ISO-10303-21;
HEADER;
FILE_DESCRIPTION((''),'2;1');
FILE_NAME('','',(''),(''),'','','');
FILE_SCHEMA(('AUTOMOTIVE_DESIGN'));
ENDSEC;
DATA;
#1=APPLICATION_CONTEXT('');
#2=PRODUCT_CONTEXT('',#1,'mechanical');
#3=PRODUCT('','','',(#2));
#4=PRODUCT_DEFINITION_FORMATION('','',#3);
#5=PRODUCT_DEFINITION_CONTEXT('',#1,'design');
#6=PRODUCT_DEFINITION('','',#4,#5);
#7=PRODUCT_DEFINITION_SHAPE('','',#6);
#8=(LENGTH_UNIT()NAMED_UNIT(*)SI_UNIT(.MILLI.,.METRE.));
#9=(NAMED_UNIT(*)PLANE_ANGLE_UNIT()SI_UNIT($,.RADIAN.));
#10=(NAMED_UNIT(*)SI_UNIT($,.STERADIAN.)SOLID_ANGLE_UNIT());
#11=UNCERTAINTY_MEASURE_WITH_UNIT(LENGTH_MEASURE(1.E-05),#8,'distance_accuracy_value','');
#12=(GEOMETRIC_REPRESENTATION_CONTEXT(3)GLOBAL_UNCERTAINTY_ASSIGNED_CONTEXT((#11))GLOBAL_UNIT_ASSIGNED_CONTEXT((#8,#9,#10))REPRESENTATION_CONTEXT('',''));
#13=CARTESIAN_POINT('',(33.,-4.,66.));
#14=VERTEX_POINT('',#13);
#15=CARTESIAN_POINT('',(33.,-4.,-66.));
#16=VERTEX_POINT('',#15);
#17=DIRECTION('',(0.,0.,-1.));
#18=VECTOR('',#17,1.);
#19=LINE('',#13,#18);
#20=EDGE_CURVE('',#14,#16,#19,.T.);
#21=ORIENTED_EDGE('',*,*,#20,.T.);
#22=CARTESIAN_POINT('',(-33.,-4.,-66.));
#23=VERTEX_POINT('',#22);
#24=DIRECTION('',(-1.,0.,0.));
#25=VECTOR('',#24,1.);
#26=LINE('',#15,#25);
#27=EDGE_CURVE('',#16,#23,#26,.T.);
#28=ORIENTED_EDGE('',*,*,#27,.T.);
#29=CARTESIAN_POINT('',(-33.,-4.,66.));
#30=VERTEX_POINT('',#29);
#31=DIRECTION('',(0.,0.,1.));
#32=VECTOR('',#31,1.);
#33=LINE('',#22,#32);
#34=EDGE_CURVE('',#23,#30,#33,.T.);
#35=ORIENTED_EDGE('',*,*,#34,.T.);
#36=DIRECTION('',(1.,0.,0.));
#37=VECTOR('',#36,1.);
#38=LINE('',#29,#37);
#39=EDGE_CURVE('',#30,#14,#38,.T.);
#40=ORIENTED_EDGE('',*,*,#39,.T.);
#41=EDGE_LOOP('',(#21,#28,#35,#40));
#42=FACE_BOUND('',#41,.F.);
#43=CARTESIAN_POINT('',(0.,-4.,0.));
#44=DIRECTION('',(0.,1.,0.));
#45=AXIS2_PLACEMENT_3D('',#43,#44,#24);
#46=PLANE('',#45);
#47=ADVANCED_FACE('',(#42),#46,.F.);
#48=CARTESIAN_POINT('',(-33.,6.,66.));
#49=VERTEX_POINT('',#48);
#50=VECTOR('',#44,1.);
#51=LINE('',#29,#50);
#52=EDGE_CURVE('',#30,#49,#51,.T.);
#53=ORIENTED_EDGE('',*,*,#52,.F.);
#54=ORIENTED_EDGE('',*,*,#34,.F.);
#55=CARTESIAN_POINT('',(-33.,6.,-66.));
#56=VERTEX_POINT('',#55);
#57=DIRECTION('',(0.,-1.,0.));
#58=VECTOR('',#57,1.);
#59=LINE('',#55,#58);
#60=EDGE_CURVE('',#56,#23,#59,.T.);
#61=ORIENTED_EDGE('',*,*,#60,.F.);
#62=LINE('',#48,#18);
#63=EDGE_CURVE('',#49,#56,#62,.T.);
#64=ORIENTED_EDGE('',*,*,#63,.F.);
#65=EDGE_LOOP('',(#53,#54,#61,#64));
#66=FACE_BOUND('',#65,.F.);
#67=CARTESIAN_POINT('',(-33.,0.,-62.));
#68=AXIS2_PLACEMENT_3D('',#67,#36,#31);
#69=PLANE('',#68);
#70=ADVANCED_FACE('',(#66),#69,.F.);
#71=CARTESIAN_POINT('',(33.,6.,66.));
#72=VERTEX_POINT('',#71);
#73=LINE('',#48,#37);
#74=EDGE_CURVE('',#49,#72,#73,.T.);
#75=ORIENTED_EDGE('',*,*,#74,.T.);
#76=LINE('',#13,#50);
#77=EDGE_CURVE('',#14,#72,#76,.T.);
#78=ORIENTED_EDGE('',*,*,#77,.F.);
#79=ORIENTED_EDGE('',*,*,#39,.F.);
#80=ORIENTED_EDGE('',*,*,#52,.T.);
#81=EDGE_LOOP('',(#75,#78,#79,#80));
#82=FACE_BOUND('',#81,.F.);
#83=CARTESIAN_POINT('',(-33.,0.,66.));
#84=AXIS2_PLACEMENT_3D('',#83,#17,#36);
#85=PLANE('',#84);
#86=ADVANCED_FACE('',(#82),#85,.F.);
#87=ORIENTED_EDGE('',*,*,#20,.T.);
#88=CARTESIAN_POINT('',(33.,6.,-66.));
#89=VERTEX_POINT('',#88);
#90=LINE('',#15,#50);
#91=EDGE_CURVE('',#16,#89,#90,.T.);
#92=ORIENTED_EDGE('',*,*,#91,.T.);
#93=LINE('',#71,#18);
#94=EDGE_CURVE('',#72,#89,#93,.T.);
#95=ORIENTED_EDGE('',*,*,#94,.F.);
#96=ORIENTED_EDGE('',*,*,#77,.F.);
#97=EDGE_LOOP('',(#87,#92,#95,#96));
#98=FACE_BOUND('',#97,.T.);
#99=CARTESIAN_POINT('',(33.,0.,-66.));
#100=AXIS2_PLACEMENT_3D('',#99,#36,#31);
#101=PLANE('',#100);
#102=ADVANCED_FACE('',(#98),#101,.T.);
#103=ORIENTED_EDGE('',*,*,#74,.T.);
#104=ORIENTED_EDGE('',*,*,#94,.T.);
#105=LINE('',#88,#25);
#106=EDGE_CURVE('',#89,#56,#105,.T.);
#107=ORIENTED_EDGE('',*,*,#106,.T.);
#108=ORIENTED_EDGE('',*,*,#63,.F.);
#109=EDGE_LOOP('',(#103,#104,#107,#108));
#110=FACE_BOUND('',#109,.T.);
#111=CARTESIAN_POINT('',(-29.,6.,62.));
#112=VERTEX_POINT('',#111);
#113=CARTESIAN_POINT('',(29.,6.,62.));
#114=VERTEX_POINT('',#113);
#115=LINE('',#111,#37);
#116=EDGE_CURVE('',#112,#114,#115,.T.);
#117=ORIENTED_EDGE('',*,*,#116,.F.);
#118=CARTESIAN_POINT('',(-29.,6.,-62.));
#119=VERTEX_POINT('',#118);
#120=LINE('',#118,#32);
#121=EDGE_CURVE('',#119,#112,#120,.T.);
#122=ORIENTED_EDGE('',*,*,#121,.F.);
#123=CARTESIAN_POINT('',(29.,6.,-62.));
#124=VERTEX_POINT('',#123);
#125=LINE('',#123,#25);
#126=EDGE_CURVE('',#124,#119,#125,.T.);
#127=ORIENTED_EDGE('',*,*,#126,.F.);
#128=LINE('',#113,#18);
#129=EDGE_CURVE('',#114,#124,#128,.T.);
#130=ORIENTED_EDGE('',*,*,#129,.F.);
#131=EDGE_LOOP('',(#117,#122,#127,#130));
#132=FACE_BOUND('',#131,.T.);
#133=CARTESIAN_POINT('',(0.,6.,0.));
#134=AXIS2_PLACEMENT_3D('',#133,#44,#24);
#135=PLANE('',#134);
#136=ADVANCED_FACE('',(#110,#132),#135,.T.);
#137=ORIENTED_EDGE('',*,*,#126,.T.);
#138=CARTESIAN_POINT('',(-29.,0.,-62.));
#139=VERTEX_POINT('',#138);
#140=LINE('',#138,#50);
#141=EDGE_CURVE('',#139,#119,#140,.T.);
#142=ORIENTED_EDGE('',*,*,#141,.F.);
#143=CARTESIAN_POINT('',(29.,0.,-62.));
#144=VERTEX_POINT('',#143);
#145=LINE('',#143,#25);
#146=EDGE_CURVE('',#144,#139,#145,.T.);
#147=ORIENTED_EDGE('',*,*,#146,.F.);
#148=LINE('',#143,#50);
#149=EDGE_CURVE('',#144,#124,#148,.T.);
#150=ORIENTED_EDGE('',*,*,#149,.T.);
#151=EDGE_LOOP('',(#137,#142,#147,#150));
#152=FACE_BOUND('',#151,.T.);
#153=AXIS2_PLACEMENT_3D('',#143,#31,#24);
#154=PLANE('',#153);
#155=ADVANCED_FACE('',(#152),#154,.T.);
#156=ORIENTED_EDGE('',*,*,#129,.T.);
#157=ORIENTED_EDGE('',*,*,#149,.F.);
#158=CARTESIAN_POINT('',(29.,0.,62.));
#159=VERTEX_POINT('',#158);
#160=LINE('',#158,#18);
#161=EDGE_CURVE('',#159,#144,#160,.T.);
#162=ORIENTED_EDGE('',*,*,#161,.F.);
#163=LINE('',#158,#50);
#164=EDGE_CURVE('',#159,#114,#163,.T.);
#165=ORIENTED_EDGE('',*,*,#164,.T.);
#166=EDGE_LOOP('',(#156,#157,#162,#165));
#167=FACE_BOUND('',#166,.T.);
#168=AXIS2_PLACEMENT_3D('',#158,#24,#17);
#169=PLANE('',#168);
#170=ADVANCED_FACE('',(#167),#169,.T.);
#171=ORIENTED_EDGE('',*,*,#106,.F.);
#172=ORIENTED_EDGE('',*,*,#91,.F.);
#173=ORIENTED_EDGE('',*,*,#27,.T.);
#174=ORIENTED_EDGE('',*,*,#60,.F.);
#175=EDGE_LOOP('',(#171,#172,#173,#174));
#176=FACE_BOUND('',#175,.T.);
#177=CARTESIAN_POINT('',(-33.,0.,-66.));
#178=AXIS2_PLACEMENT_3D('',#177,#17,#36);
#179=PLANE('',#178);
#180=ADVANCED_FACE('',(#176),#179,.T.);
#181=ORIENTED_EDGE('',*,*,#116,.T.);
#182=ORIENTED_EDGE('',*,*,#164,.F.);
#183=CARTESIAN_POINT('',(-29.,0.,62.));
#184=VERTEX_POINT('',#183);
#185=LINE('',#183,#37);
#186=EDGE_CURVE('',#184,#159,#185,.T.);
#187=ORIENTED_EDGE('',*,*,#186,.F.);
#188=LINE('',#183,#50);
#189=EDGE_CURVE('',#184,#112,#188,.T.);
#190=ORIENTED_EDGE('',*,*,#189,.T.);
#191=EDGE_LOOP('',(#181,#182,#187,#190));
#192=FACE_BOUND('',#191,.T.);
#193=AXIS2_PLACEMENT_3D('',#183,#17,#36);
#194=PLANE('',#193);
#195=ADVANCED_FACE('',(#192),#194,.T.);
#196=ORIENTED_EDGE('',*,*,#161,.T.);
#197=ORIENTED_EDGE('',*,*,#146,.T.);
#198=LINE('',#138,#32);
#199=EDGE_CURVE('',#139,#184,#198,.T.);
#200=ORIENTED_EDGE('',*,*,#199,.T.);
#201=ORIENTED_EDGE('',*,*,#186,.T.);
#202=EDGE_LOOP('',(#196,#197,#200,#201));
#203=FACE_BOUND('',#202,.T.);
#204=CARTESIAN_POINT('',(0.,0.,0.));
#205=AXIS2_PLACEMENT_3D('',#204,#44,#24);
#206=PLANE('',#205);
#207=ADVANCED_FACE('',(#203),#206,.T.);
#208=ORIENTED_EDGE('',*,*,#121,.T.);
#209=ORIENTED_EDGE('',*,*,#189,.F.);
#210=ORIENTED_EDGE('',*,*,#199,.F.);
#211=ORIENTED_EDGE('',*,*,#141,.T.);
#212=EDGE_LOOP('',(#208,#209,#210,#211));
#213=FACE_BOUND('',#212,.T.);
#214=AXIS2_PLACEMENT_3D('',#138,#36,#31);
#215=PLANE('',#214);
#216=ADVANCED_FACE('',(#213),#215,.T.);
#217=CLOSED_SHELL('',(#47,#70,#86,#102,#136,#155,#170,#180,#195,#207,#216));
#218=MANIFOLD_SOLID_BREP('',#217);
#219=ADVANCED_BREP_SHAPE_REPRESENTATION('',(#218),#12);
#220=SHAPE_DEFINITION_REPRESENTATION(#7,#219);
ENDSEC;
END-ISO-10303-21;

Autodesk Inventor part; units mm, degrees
ref_plane "YZ Plane" through (0, 0, 0) normal (1, 0, 0) x (0, 1, 0)
ref_plane "XZ Plane" through (0, 0, 0) normal (0, 1, 0) x (-1, 0, 0)
ref_plane "XY Plane" through (0, 0, 0) normal (0, 0, 1) x (1, 0, 0)
sketch "Sketch1" plane through (0, 0, 0) normal (0, 1, 0) x (-1, 0, 0)
  line L0 (29, 62) -> (-29, 62)
  line L1 (-29, 62) -> (-29, -62)
  line L2 (-29, -62) -> (29, -62)
  line L3 (29, -62) -> (29, 62)
  line L4 (29, 62) -> (33, 62)
  line L5 (33, 62) -> (33, 66)
  line L6 (33, 66) -> (29, 66)
  line L7 (29, 66) -> (29, 62)
  line L8 (29, -62) -> (33, -62)
  line L9 (33, -62) -> (33, -66)
  line L10 (33, -66) -> (29, -66)
  line L11 (29, -66) -> (29, -62)
  line L12 (-29, -62) -> (-29, -66)
  line L13 (-29, -66) -> (-33, -66)
  line L14 (-33, -66) -> (-33, -62)
  line L15 (-33, -62) -> (-29, -62)
  line L16 (-29, 62) -> (-33, 62)
  line L17 (-33, 62) -> (-33, 66)
  line L18 (-33, 66) -> (-29, 66)
  line L19 (-29, 66) -> (-29, 62)
  line L20 (29, 66) -> (-29, 66)
  line L21 (-33, 62) -> (-33, -62)
  line L22 (-29, -66) -> (29, -66)
  line L23 (33, -62) -> (33, 62)
  line L24 (-33, 66) -> (-32.8039, 66)
  point P0 (0, 0)
  dimension "d2" = 58
  dimension "d3" = 124
  dimension "d5" = 4
  dimension "d6" = 4
  dimension "d7" = 4
  dimension "d8" = 4
  dimension "d9" = 4
  dimension "d10" = 4
  dimension "d11" = 4
extrude "Extrusion1" add sketch "Sketch1" against normal blind 4
extrude "Extrusion2" add sketch "Sketch1" along normal blind 6 contours L4 L23 L8 L3 | L7 L6 L5 L4 | L0 L19 L20 L7 | L1 L15 L21 L16 | L16 L17 L18 L19 | L11 L22 L12 L2 | L8 L9 L10 L11 | L12 L13 L14 L15
properties part number "Deksel sensor" material "ABS Plastic"
